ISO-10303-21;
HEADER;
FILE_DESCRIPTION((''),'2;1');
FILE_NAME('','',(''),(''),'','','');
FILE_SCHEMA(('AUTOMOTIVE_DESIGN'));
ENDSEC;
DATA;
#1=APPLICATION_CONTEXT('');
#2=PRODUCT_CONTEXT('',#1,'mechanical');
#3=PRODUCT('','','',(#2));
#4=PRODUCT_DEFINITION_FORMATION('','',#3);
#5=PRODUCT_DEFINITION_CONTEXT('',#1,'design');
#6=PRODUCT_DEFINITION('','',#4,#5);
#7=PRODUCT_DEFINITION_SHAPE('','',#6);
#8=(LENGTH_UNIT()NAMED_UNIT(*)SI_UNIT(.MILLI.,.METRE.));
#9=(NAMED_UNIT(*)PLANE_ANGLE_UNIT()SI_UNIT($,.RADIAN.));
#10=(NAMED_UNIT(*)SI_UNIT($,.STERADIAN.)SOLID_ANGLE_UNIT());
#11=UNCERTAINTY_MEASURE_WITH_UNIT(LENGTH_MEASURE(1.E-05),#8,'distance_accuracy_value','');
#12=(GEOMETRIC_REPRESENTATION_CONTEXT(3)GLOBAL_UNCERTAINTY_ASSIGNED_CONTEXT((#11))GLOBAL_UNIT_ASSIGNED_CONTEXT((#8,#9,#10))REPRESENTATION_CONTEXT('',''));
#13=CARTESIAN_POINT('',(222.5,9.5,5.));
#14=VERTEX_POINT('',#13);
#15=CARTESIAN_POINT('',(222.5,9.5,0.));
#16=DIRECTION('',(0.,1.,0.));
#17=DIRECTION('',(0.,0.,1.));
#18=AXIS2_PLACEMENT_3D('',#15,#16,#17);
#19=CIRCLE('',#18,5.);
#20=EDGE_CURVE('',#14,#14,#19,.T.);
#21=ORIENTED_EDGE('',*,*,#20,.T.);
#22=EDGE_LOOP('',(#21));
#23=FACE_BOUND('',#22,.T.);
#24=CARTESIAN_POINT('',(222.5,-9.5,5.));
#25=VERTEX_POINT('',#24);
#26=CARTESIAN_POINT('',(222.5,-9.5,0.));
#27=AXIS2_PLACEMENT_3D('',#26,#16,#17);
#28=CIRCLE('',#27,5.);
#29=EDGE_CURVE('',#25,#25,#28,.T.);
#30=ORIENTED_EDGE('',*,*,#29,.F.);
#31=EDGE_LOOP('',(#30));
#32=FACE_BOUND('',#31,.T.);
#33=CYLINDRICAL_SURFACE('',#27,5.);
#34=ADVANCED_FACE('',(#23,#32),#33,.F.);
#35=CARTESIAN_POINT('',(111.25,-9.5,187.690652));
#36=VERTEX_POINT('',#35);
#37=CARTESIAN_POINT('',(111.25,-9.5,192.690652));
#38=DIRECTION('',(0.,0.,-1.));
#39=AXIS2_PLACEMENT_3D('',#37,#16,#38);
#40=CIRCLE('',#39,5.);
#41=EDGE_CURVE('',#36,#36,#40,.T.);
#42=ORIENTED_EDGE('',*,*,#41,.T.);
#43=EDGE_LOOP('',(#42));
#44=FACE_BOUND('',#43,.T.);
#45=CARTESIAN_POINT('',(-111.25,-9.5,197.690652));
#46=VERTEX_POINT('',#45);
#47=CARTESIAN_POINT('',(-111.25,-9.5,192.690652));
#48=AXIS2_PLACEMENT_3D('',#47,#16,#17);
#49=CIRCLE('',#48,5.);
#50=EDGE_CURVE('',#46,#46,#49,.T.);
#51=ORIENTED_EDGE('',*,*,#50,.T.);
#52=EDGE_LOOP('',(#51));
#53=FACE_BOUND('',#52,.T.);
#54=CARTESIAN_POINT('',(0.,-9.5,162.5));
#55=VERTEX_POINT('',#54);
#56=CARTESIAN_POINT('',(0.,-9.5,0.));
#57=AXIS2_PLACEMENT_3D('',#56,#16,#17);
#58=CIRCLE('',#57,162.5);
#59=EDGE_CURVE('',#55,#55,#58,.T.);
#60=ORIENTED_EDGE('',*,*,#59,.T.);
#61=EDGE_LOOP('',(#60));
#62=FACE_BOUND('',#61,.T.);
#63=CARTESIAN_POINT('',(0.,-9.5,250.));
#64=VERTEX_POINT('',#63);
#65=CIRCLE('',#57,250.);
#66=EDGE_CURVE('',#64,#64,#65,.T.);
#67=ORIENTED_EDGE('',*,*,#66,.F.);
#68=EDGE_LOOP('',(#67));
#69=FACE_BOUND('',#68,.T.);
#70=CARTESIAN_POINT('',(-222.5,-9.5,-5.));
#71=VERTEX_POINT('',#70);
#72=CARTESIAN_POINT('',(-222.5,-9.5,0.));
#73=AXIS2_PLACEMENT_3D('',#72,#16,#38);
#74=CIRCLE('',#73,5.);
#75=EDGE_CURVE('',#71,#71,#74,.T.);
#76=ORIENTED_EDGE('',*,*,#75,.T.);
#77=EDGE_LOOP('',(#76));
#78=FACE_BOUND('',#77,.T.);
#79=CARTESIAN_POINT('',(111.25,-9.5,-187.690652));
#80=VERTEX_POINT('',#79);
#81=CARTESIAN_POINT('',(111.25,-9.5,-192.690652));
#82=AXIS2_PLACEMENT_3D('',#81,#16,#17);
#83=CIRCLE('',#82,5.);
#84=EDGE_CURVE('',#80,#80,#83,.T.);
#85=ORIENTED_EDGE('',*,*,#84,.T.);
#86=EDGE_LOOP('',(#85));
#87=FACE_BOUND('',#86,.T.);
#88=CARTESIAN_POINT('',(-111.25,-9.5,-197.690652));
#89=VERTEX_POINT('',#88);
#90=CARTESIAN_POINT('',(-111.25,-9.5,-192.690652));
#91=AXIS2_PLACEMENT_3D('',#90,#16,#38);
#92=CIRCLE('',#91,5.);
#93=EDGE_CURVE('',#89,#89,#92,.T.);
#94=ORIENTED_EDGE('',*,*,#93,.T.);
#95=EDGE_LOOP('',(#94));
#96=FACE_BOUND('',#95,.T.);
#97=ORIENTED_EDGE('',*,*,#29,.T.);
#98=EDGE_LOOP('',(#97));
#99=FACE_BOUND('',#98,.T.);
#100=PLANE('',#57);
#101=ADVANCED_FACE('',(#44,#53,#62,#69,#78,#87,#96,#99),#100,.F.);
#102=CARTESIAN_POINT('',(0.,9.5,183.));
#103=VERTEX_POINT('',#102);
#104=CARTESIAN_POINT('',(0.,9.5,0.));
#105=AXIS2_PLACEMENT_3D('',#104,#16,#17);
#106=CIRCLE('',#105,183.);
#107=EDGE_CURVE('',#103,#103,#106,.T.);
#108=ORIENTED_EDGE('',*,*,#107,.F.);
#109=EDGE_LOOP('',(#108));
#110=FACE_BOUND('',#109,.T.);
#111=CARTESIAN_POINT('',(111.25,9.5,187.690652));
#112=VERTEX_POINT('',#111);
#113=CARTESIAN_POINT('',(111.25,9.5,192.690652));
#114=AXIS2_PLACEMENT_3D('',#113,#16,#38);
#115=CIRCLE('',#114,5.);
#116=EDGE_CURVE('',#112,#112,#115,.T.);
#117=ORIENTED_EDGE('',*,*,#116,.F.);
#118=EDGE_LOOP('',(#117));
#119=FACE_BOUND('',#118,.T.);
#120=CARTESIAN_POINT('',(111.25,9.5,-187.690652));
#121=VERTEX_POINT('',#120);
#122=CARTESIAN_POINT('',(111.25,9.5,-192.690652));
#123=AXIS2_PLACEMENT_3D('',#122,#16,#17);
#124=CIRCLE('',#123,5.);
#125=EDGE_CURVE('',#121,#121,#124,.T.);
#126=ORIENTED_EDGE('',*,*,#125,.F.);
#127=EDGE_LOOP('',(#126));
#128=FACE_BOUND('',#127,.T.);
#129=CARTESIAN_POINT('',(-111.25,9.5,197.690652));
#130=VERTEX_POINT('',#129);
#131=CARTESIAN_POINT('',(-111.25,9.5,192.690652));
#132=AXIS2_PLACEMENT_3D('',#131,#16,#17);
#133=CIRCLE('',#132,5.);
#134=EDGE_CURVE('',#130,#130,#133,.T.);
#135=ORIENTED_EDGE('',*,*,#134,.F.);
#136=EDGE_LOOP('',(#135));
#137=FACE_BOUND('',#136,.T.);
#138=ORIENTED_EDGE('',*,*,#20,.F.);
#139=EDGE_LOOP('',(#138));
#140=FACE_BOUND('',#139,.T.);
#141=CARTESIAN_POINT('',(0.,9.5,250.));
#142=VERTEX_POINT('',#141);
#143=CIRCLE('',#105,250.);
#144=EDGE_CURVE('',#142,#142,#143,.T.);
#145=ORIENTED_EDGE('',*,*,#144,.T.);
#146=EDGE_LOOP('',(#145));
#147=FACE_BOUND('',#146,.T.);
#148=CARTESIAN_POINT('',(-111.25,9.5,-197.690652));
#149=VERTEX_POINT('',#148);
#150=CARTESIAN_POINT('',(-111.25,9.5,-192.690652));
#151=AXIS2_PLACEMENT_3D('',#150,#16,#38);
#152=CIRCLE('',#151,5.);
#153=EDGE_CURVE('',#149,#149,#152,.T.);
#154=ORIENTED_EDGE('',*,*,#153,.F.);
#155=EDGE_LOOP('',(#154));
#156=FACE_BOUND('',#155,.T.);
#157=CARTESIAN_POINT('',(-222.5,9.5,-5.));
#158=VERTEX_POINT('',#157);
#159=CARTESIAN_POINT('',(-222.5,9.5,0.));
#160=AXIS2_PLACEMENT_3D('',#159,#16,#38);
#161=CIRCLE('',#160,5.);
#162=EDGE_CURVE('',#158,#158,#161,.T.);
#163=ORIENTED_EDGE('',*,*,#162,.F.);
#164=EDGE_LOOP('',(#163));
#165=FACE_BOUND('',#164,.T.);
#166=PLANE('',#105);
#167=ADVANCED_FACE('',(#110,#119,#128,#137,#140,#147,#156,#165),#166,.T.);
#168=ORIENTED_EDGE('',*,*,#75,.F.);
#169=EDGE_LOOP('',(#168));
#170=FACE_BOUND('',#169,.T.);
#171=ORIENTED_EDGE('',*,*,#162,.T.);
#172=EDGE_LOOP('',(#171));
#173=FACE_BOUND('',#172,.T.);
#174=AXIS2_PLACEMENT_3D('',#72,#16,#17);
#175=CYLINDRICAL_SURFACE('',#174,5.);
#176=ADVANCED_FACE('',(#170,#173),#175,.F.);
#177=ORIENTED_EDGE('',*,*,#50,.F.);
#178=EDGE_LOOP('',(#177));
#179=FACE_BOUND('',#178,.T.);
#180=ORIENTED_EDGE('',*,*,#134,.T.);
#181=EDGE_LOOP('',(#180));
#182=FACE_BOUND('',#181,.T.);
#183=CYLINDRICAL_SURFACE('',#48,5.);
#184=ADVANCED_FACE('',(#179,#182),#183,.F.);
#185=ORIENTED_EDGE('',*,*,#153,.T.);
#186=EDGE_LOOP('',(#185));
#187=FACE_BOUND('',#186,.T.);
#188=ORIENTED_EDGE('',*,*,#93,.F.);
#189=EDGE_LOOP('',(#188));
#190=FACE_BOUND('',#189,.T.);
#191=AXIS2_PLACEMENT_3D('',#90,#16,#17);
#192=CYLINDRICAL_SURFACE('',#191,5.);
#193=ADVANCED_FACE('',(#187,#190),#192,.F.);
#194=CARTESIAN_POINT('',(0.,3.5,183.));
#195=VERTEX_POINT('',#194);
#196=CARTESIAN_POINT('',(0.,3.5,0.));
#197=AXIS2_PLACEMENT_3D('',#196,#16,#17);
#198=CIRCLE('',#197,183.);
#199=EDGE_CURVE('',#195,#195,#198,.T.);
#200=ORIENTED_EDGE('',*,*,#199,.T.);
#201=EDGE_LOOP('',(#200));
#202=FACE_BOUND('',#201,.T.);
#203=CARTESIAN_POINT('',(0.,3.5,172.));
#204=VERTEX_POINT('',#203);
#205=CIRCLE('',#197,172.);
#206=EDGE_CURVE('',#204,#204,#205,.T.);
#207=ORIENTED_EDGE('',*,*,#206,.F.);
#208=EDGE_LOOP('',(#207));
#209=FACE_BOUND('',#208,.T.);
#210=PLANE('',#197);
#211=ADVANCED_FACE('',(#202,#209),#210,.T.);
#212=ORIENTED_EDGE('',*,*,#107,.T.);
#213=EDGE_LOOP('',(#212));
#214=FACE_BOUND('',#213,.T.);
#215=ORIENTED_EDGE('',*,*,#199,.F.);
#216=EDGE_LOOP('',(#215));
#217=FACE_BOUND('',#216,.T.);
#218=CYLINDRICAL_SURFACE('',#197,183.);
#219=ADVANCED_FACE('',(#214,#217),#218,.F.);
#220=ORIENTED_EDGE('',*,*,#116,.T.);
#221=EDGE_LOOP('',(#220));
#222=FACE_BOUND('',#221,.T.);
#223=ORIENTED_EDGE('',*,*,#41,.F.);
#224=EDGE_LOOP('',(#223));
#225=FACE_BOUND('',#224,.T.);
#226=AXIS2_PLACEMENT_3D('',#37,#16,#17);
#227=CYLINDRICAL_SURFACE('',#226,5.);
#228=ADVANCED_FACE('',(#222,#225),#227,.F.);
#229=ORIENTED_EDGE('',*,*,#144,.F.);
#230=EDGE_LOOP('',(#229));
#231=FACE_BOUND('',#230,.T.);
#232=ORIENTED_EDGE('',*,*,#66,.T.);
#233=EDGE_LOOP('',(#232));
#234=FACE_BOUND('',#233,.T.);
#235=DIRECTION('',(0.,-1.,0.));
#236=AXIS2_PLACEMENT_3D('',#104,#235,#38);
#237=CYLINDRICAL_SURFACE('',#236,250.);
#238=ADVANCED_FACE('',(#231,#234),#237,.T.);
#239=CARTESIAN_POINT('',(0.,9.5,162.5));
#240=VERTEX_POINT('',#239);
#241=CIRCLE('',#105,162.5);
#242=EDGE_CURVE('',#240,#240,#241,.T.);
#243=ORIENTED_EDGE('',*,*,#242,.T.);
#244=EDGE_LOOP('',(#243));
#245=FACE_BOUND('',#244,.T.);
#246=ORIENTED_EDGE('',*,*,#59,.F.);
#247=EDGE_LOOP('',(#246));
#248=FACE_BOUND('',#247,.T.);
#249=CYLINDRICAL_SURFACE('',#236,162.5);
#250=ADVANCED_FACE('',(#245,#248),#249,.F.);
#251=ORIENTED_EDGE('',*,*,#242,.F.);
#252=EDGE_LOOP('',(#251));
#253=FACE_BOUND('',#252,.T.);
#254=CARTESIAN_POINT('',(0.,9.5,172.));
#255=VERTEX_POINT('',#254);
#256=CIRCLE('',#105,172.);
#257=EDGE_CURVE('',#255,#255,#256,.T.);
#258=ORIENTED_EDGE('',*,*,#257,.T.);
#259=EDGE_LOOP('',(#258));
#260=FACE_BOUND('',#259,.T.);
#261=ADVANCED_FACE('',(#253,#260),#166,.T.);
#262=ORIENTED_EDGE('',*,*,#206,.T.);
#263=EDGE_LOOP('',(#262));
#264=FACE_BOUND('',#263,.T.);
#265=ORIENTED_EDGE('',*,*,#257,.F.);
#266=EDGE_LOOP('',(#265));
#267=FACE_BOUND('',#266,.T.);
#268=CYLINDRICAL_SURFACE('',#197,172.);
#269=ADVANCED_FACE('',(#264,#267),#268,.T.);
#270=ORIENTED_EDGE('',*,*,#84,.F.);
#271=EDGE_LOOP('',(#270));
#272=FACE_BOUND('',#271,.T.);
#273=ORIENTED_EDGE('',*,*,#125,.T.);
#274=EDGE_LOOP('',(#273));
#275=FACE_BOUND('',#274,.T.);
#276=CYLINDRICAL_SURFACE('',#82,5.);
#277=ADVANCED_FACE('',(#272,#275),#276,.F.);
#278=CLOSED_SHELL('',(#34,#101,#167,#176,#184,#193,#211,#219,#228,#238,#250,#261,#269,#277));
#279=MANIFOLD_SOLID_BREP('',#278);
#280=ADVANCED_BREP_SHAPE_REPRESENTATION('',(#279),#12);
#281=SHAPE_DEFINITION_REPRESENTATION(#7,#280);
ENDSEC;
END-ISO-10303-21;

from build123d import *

# Parameters (mm, degrees)
SKETCH1_R           = 250
SKETCH1_R_2         = 162.5
BOSS_EXTRUDE1_DEPTH = 9.5
SKETCH2_R           = 5
CUT_EXTRUDE1_DEPTH  = 355.063553617
SKETCH3_R           = 183
SKETCH3_R_2         = 172
CUT_EXTRUDE2_DEPTH  = 6


with BuildPart() as part:
    # Sketch1 → Boss-Extrude1 (new, symmetric)
    with BuildSketch(Plane(origin=(0, 0, 0), x_dir=(1, 0, 0), z_dir=(0, 1, 0))):
        with Locations(Location((0, 0, 0), (0, 0, 270))):
            Circle(SKETCH1_R)
        with Locations(Location((0, 0, 0), (0, 0, 270))):
            Circle(SKETCH1_R_2, mode=Mode.SUBTRACT)
    extrude(amount=BOSS_EXTRUDE1_DEPTH, both=True)

    # Sketch2 → Cut-Extrude1 (cut, through all)
    with BuildSketch(Plane(origin=(0, 9.5, 0), x_dir=(1, 0, 0), z_dir=(0, 1, 0))):
        with Locations(Location((111.25, 192.690652342, 0), (0, 0, 270))):
            Circle(SKETCH2_R)
        with Locations(Location((222.5, 0, 0), (0, 0, 270))):
            Circle(SKETCH2_R)
        with Locations(Location((-222.5, 0, 0), (0, 0, 90))):
            Circle(SKETCH2_R)
        with Locations(Location((-111.25, 192.690652342, 0), (0, 0, 90))):
            Circle(SKETCH2_R)
        with Locations(Location((111.25, -192.690652342, 0), (0, 0, 90))):
            Circle(SKETCH2_R)
        with Locations(Location((-111.25, -192.690652342, 0), (0, 0, 270))):
            Circle(SKETCH2_R)
    extrude(amount=-CUT_EXTRUDE1_DEPTH, mode=Mode.SUBTRACT)

    # Sketch3 → Cut-Extrude2 (cut)
    with BuildSketch(Plane(origin=(0, 9.5, 0), x_dir=(1, 0, 0), z_dir=(0, 1, 0))):
        with Locations(Location((0, 0, 0), (0, 0, 270))):
            Circle(SKETCH3_R)
        with Locations(Location((0, 0, 0), (0, 0, 270))):
            Circle(SKETCH3_R_2, mode=Mode.SUBTRACT)
    extrude(amount=-CUT_EXTRUDE2_DEPTH, mode=Mode.SUBTRACT)


solid = part.part
